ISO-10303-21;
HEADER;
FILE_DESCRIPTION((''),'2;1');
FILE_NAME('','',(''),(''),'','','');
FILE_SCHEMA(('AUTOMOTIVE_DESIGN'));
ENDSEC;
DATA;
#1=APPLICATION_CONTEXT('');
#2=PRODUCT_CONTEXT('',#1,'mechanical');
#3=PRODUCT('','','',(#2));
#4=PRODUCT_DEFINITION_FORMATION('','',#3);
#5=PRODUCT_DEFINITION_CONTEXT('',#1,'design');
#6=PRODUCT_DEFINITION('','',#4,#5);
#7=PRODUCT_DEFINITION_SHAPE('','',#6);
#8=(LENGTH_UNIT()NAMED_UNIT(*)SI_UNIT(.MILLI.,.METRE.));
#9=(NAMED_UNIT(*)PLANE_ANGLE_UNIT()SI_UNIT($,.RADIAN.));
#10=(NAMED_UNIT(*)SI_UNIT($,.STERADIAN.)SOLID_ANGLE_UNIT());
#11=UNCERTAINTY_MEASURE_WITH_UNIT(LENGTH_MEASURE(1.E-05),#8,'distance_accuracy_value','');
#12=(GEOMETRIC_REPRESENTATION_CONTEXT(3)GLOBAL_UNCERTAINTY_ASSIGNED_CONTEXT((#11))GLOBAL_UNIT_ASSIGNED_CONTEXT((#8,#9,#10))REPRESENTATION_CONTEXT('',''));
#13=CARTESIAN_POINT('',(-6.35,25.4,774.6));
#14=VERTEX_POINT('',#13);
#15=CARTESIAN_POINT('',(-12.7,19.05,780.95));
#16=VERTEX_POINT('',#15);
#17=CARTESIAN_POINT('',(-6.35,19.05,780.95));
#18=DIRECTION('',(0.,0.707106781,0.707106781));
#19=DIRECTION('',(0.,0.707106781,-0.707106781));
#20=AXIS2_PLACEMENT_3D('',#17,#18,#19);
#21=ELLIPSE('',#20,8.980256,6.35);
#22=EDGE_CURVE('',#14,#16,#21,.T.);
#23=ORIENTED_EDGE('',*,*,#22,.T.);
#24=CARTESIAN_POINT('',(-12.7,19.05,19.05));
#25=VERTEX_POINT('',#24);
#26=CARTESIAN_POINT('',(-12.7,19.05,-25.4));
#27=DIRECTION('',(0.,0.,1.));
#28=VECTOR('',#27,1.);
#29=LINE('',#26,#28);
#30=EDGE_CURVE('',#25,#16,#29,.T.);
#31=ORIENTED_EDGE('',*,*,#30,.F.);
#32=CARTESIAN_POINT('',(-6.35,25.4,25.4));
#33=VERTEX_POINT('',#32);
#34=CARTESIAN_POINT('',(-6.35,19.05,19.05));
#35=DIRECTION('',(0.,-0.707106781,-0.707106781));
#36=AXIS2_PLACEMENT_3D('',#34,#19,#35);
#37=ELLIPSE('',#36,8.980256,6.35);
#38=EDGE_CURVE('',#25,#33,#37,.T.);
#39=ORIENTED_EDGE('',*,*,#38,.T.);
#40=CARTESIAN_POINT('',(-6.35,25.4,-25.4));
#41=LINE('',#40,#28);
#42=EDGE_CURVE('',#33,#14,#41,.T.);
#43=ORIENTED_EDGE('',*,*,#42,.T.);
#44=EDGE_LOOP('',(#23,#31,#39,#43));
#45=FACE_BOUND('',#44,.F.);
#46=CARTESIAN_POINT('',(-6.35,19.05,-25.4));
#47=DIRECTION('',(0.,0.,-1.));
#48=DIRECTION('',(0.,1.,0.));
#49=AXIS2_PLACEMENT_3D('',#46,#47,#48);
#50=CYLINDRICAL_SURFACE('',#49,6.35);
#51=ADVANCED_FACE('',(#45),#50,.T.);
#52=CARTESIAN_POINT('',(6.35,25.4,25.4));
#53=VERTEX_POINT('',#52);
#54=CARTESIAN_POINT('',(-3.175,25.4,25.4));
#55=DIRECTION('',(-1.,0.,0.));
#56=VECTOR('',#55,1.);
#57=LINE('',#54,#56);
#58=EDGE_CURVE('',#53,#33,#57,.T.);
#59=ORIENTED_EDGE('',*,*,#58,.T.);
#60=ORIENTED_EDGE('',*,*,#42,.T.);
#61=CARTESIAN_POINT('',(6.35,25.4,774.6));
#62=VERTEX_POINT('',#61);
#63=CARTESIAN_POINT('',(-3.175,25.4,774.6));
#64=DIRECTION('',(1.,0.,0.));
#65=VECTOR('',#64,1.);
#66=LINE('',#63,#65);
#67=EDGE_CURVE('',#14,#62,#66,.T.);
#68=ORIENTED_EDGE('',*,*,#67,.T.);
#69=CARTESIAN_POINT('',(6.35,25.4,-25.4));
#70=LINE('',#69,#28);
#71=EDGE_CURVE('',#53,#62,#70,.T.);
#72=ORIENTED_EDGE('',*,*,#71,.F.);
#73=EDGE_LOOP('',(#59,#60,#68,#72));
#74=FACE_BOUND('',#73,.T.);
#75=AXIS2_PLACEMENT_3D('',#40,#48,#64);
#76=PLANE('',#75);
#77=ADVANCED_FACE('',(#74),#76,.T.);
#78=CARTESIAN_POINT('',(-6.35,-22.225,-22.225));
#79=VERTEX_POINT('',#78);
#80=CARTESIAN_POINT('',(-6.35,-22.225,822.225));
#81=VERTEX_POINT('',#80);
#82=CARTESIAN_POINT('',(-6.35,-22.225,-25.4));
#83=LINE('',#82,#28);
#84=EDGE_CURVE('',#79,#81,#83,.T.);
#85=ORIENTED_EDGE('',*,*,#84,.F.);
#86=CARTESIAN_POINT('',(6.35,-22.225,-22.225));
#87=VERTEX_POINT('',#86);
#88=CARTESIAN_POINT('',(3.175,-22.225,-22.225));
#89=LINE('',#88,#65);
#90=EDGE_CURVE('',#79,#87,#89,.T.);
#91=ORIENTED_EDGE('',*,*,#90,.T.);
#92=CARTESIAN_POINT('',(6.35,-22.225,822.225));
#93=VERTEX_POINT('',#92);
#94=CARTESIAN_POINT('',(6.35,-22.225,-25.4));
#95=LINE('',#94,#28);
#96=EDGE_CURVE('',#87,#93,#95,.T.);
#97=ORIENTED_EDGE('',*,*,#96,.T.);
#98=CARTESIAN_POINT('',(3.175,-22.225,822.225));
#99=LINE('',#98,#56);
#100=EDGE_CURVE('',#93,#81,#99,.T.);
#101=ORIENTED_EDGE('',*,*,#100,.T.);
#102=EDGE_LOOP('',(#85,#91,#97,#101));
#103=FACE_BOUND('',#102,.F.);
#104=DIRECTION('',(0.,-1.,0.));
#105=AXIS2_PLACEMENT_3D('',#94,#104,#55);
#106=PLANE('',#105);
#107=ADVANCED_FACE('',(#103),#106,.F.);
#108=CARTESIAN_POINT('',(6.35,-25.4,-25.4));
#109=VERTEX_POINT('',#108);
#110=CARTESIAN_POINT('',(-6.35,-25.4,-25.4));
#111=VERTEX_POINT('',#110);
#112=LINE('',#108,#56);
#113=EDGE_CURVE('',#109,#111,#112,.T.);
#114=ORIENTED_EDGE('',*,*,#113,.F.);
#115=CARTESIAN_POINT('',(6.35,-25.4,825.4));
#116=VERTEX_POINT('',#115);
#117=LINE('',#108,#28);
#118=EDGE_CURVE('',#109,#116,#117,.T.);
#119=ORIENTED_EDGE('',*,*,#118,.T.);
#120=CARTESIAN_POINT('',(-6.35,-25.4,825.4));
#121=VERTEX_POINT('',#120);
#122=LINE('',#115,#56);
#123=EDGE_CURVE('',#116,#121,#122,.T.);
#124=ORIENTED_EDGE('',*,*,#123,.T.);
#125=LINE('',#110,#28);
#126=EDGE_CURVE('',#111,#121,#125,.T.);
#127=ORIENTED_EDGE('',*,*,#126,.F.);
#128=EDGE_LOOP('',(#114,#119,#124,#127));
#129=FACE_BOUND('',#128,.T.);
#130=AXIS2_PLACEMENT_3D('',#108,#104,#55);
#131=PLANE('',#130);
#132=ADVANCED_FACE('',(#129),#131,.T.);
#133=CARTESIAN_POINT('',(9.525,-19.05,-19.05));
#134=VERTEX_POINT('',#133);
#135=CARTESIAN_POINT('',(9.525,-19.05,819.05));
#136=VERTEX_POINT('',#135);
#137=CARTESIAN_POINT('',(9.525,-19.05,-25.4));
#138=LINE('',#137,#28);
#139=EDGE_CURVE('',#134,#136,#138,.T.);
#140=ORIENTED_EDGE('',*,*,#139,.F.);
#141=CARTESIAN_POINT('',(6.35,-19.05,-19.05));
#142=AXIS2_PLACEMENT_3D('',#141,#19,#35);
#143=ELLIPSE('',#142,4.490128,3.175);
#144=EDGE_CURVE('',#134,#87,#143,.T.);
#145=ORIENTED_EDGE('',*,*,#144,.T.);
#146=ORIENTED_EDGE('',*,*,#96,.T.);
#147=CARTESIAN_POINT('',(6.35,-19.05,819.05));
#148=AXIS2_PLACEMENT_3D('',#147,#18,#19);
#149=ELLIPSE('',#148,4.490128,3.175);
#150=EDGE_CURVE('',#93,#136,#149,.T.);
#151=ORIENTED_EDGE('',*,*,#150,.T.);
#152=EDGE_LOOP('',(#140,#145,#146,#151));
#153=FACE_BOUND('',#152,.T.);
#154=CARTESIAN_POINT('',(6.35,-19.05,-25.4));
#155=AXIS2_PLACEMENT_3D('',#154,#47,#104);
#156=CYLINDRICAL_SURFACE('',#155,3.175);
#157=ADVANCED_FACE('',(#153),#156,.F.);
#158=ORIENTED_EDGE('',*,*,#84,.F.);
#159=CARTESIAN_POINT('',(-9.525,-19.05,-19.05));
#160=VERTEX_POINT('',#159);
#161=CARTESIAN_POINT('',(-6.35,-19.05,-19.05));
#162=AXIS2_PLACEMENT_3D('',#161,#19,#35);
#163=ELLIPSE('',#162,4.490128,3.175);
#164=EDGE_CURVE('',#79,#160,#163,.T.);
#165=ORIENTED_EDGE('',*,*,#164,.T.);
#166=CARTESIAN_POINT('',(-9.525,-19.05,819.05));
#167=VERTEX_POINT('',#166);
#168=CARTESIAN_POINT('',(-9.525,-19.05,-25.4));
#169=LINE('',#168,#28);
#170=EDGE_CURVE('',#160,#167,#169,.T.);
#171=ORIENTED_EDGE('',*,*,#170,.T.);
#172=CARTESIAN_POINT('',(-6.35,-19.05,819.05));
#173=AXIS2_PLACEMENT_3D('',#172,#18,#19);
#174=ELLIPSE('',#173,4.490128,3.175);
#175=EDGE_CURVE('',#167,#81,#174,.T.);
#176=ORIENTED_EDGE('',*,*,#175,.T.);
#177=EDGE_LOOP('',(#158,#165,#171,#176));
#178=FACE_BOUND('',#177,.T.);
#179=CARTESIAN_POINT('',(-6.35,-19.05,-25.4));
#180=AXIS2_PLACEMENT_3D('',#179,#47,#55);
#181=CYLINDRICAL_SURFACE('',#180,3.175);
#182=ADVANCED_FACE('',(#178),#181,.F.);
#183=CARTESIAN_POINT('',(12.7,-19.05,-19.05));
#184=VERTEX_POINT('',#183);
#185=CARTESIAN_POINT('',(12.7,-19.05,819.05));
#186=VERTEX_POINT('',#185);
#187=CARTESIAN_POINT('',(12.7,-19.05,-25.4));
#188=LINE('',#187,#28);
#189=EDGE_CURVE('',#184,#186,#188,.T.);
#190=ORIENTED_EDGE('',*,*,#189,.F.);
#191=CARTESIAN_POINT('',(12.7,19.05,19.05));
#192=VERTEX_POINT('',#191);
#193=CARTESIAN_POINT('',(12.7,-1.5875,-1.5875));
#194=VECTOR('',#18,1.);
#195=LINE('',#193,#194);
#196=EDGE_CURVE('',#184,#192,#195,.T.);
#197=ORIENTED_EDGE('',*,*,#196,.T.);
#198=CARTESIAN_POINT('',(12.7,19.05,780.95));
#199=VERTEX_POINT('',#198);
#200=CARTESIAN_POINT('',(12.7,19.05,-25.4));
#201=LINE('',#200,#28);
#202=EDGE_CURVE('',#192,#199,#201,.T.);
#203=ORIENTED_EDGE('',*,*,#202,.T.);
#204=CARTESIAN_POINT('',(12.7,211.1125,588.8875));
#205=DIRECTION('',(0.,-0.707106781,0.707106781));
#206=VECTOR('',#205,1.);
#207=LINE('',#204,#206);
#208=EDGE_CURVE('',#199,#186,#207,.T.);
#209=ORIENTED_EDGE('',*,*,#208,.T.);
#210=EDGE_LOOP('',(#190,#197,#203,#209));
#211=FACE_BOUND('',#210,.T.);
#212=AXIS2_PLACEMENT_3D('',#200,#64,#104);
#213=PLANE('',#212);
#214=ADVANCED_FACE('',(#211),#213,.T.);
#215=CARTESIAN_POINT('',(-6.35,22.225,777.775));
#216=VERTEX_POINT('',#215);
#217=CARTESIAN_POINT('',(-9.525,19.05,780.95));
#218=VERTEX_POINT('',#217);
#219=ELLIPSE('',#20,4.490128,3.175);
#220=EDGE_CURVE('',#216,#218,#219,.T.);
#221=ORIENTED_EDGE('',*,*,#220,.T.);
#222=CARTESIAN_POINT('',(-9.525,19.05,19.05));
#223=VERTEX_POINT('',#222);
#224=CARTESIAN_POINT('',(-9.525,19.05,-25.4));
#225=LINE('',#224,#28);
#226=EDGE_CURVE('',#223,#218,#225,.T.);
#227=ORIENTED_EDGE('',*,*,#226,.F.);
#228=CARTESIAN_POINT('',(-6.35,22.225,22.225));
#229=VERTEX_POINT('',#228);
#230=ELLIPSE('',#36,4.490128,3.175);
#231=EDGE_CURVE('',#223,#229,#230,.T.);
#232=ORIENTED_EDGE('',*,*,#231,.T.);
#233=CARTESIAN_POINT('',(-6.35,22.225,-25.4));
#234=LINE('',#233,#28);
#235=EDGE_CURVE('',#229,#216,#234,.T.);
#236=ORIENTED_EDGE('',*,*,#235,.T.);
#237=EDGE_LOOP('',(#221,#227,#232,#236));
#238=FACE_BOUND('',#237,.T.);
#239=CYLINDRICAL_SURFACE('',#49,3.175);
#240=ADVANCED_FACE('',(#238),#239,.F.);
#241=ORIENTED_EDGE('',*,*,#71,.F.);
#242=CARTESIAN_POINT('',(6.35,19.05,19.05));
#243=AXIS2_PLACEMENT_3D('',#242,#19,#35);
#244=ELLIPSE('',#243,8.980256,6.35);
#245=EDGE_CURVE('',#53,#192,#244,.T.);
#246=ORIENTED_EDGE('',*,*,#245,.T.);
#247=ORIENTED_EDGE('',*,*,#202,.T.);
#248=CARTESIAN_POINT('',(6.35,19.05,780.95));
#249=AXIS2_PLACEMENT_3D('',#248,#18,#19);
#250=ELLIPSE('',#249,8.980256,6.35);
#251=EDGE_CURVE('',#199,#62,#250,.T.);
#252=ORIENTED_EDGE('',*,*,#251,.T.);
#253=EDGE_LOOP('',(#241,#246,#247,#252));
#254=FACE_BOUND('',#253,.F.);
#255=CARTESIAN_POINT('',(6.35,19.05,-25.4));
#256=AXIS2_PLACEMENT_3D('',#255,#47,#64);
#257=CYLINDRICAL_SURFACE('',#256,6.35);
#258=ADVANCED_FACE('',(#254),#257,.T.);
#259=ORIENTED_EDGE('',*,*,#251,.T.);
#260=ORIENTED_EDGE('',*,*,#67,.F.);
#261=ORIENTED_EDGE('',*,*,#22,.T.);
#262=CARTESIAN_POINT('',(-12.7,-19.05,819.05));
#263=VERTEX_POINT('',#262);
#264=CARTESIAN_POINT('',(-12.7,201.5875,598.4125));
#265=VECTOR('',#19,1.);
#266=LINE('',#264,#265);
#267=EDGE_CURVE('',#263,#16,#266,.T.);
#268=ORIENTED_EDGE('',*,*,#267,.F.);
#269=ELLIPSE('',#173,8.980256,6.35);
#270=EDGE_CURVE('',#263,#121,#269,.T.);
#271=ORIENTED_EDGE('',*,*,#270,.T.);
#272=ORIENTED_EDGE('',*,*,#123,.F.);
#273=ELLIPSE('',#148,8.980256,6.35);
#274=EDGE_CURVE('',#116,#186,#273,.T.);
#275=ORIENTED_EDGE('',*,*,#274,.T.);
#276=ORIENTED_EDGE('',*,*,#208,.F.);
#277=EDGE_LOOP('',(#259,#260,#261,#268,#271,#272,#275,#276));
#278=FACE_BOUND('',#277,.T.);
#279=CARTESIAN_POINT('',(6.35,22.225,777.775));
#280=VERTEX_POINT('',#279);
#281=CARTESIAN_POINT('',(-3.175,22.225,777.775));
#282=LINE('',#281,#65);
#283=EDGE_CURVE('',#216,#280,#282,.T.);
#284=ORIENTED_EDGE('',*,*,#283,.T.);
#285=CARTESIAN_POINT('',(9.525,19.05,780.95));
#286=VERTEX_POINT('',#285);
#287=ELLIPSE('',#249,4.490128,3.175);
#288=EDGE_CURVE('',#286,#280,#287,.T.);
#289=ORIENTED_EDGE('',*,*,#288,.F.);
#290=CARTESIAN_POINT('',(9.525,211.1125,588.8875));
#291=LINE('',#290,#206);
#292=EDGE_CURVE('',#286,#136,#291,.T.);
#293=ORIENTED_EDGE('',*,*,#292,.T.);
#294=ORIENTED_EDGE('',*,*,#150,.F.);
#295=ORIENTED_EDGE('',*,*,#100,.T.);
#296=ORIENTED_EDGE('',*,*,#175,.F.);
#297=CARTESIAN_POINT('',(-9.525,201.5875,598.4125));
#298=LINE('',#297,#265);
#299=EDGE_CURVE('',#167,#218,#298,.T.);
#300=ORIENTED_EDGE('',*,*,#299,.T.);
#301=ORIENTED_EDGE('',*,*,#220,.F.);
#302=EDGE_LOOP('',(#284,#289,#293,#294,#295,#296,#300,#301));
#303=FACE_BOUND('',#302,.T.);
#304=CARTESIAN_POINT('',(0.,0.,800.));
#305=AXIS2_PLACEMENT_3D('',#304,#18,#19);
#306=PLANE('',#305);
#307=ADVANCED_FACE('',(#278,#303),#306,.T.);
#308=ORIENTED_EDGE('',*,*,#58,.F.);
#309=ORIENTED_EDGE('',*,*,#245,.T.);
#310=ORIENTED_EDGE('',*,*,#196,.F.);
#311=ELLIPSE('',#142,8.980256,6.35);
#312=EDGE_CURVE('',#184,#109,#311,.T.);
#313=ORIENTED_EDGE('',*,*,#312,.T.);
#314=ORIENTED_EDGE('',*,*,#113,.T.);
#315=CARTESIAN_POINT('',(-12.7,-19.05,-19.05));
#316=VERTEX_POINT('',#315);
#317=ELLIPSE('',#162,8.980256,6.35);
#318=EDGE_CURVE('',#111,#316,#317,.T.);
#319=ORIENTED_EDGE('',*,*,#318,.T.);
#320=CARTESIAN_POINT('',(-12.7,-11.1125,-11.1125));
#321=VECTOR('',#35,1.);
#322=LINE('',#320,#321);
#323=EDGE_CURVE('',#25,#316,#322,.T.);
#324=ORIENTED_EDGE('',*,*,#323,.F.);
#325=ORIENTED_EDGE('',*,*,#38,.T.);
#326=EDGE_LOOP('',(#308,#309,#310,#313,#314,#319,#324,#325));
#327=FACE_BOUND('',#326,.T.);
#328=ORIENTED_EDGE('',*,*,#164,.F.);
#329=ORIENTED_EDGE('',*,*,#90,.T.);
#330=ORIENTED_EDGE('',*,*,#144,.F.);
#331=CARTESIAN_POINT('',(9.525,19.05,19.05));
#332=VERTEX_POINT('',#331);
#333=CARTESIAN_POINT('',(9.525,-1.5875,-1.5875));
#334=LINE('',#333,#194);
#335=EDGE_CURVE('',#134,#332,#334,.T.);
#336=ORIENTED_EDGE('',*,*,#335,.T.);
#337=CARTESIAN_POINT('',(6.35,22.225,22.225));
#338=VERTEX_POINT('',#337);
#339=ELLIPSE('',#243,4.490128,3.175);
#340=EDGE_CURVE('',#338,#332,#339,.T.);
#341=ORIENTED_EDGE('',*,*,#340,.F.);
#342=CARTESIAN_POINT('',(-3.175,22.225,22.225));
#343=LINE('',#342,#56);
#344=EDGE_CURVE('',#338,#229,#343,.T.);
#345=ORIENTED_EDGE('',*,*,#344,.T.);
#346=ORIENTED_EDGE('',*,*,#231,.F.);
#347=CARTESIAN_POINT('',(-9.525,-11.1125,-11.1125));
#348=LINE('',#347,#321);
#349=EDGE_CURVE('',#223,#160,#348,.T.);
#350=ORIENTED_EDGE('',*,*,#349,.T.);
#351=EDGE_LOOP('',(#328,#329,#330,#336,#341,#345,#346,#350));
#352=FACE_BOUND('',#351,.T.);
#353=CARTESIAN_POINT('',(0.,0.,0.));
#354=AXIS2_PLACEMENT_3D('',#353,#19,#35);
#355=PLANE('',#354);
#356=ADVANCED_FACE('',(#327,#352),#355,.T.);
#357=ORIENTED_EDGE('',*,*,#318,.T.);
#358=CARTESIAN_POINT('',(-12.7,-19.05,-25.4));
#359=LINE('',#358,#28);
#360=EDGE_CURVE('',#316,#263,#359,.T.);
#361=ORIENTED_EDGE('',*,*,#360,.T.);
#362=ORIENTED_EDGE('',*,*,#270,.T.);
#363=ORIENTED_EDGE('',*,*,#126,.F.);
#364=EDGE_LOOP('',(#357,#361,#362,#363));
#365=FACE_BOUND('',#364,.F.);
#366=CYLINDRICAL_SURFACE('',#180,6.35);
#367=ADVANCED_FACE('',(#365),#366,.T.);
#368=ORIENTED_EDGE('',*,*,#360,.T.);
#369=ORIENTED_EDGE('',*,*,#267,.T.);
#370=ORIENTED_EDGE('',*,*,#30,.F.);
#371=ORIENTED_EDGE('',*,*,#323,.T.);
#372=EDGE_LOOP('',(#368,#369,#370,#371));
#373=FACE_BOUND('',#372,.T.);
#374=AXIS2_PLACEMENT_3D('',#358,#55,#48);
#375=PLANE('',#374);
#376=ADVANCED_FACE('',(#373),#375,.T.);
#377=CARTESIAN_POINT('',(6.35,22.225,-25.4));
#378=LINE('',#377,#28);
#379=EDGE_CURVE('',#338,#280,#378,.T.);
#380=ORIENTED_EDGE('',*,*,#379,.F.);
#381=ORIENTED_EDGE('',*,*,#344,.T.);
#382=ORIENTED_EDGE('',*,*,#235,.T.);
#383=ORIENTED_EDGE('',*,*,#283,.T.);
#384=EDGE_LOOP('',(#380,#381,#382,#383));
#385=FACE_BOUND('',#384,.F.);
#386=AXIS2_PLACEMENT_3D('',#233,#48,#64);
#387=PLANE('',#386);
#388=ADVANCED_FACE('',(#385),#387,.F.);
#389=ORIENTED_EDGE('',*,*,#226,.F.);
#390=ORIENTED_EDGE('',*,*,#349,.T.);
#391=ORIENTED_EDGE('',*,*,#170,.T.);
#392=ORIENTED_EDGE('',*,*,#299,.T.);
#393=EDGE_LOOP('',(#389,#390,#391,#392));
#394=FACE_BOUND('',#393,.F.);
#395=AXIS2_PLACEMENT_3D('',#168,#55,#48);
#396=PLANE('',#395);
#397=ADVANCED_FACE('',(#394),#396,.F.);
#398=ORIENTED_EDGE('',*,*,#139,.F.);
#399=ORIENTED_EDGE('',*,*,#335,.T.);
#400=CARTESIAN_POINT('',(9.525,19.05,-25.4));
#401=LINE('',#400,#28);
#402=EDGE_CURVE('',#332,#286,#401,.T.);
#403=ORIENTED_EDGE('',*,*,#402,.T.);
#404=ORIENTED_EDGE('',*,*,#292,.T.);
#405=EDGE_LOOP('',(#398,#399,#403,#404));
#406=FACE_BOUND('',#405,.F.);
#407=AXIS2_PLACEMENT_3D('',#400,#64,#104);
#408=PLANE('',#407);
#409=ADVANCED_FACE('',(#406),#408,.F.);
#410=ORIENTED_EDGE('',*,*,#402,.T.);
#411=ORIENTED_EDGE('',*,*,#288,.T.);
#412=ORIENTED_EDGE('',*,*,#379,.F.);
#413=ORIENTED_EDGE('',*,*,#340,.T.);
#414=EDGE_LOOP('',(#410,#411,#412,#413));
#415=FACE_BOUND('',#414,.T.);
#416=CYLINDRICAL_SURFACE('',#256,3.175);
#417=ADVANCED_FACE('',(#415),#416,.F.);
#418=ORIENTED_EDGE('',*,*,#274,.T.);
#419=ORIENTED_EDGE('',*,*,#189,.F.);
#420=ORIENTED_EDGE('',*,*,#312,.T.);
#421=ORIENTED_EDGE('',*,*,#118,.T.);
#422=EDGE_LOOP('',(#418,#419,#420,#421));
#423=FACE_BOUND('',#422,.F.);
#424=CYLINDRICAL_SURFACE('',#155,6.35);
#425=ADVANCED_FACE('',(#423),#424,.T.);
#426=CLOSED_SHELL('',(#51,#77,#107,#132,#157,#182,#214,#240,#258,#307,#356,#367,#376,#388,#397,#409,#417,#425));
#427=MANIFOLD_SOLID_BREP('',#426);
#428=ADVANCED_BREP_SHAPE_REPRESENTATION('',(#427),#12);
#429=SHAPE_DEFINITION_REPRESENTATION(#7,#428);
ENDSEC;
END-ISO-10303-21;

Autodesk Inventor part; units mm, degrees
ref_plane "Start Plane" through (0, 0, -25.4) normal (0, 0, 1) x (1, 0, 0)
ref_plane "End Plane" through (0, 0, 825.4) normal (0, 0, 1) x (1, 0, 0)
sketch "Sketch" plane through (0, 0, 0) normal (0, 0, 1) x (1, 0, 0)
  line L0 (-12.7, -19.05) -> (-12.7, 19.05)
  line L1 (-6.35, 25.4) -> (6.35, 25.4)
  line L2 (12.7, 19.05) -> (12.7, -19.05)
  line L3 (6.35, -25.4) -> (-6.35, -25.4)
  arc A0 (-12.7, -19.05) -> (-6.35, -25.4) centre (-6.35, -19.05) ccw
  arc A1 (-6.35, 25.4) -> (-12.7, 19.05) centre (-6.35, 19.05) ccw
  arc A2 (12.7, 19.05) -> (6.35, 25.4) centre (6.35, 19.05) ccw
  arc A3 (6.35, -25.4) -> (12.7, -19.05) centre (6.35, -19.05) ccw
  arc A4 (-6.35, 22.225) -> (-9.525, 19.05) centre (-6.35, 19.05) ccw
  line L4 (-6.35, 22.225) -> (6.35, 22.225)
  arc A5 (9.525, 19.05) -> (6.35, 22.225) centre (6.35, 19.05) ccw
  line L5 (9.525, 19.05) -> (9.525, -19.05)
  arc A6 (6.35, -22.225) -> (9.525, -19.05) centre (6.35, -19.05) ccw
  line L6 (6.35, -22.225) -> (-6.35, -22.225)
  arc A7 (-9.525, -19.05) -> (-6.35, -22.225) centre (-6.35, -19.05) ccw
  line L7 (-9.525, -19.05) -> (-9.525, 19.05)
  line L8 (0, 37.4012) -> (0, -37.4012) construction
  line L9 (-19.6212, 0) -> (19.6212, 0) construction
  dimension "d10" = 50.8
  dimension "d11" = 25.4
  dimension "d12" = 3.175
  dimension "d15" = 25.4
  dimension "d16" = 12.7
  dimension "d17" = 6.35
extrude "Body" add sketch "Sketch" along normal up to surface (850.8 mm away) from surface at -25.4
sketch "Sketch3" plane through (0, 0, 0) normal (0, 0, 1) x (1, 0, 0)
  line L0 (0, 0) -> (10, 0)
ref_plane "Work Plane3" through (0, 0, 0) normal (0, -1, 0) x (1, 0, 0)
ref_plane "Work Plane4" through (0, 0, 0) normal (0, 0.7071, -0.7071) x (1, 0, 0)
split "Split1" plane through (0, 0, 0) removes the side toward (0, 0.7071, -0.7071)
ref_plane "Work Plane5" through (0, 0, 800) normal (0, 0.7071, 0.7071) x (1, 0, 0)
split "Split2" plane through (0, 0, 800) removes the side toward (0, 0.7071, 0.7071)
sketch "Sketch4" plane through (0, 0, 0) normal (0, -1, 0) x (1, 0, 0)
  line L0 (-2, -25.4) -> (12, -25.4) projected
  line L1 (-2, 825.4) -> (12, 825.4) projected
  dimension "d19" = 850.8
equation "\"d10\" = G_H"
equation "\"d11\" = G_W"
equation "\"d12\" = G_T"
equation "\"d15\" = 0.5 * d10"
equation "\"d16\" = 0.5 * d11"
equation "\"d17\" = G_IR"
equation "\"d3\" = G_L"
equation "\"G_W\" = 25.4"
equation "\"G_H\" = 50.8"
equation "\"G_T\" = 3.175"
equation "\"G_IR\" = 6.35"
equation "\"G_L\" = d19"
equation "\"G_OFFSET_START\" = 25.4"
equation "\"G_OFFSET_END\" = 25.4"
equation "\"d13\" = -G_OFFSET_START"
equation "\"d14\" = G_OFFSET_END + B_L"
equation "\"B_L\" = 800"
properties part number "AISC - 2 x 1 x 1/8 - 33.496" material "Steel, Wrought"
